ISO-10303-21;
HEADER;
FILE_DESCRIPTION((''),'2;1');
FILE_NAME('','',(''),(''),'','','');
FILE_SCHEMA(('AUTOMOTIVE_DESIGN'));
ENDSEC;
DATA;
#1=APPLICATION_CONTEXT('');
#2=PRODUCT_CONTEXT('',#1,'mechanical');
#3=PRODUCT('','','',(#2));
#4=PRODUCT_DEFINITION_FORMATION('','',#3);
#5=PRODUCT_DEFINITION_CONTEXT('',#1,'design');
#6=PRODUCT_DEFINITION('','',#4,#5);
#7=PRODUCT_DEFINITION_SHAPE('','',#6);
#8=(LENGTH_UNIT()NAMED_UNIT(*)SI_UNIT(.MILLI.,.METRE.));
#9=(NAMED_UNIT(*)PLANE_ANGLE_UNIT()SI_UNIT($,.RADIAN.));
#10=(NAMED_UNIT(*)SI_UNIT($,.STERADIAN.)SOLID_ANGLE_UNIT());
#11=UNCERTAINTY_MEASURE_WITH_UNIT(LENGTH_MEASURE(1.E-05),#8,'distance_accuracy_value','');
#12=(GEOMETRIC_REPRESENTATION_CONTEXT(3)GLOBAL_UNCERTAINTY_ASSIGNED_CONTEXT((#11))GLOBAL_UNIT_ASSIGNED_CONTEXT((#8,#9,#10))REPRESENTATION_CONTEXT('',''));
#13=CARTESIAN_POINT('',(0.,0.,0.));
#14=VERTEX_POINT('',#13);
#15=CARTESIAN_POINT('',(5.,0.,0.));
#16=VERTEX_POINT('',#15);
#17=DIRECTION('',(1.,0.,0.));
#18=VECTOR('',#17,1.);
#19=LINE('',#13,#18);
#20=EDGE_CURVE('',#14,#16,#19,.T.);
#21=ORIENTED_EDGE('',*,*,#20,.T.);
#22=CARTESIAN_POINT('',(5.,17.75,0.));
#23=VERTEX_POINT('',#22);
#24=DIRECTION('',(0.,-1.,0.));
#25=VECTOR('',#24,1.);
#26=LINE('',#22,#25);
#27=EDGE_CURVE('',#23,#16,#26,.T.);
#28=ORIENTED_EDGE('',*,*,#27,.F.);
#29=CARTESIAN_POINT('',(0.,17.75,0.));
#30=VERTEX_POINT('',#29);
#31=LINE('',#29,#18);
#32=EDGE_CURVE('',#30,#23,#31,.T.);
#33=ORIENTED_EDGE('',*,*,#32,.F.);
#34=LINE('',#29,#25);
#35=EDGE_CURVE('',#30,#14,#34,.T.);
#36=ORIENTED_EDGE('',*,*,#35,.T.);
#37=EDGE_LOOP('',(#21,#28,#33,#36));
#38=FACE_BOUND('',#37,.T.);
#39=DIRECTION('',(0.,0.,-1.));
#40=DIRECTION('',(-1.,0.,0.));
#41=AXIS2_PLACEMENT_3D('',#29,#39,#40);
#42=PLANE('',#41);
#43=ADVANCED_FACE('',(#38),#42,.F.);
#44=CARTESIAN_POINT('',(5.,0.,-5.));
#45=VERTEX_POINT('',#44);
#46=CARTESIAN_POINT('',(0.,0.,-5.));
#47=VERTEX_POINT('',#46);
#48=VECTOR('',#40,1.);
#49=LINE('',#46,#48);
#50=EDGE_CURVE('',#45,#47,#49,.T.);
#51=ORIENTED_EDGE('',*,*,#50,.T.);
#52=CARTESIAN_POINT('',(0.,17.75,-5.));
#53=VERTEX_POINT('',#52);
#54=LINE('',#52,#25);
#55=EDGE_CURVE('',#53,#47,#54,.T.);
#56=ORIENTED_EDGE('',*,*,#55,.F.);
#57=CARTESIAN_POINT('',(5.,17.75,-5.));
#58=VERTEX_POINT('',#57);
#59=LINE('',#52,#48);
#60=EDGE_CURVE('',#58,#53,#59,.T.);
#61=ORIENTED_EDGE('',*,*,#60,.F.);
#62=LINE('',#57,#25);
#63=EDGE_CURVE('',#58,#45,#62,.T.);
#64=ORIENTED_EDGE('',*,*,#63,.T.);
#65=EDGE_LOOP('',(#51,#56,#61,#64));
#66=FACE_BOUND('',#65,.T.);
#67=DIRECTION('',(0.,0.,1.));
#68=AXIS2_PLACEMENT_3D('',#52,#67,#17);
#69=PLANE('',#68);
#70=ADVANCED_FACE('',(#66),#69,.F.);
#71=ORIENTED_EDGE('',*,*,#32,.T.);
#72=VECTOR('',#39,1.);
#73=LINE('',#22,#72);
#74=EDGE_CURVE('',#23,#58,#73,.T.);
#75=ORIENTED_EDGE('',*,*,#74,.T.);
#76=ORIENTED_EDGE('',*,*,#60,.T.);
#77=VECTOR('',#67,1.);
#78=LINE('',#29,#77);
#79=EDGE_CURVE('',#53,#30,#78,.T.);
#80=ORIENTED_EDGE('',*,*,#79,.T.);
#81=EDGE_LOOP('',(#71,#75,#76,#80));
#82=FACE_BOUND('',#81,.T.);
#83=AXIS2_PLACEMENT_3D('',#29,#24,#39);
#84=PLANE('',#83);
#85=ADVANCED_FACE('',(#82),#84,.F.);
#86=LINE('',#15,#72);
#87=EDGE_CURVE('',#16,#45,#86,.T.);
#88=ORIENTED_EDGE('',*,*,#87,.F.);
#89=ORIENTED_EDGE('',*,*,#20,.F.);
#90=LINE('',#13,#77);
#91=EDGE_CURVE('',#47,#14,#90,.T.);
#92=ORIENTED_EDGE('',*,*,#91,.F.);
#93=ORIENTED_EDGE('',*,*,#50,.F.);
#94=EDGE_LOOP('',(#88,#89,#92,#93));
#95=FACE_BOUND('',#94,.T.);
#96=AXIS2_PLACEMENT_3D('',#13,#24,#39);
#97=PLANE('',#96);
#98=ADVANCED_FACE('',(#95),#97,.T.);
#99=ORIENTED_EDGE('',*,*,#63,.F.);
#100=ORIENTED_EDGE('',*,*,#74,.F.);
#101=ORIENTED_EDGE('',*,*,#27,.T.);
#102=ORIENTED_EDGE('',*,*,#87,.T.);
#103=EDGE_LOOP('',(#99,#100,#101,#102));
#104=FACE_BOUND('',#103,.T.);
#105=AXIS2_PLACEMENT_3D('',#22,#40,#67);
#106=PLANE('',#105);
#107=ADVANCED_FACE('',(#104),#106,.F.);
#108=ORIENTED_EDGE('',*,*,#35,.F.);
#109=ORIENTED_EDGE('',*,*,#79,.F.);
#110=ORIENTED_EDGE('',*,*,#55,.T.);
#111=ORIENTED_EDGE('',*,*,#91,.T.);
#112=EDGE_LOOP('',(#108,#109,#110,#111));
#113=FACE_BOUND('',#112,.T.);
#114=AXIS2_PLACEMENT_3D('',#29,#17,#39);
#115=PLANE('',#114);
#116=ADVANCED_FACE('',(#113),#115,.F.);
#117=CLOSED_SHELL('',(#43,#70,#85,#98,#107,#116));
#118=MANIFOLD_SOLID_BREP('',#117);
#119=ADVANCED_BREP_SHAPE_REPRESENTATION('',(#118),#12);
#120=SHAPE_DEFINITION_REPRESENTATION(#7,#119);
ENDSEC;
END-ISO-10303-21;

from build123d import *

# Parameters (mm, degrees)
SKETCH_1_W      = 5
SKETCH_1_H      = 5
EXTRUDE_1_DEPTH = 17.75


with BuildPart() as part:
    # 草图1 → 凸台-拉伸1 (new body)
    with BuildSketch(Plane(origin=(0, 0, 0), x_dir=(1, 0, 0), z_dir=(0, 1, 0))):
        with Locations((2.5, 2.5)):
            Rectangle(SKETCH_1_W, SKETCH_1_H)
    extrude(amount=EXTRUDE_1_DEPTH)


solid = part.part
